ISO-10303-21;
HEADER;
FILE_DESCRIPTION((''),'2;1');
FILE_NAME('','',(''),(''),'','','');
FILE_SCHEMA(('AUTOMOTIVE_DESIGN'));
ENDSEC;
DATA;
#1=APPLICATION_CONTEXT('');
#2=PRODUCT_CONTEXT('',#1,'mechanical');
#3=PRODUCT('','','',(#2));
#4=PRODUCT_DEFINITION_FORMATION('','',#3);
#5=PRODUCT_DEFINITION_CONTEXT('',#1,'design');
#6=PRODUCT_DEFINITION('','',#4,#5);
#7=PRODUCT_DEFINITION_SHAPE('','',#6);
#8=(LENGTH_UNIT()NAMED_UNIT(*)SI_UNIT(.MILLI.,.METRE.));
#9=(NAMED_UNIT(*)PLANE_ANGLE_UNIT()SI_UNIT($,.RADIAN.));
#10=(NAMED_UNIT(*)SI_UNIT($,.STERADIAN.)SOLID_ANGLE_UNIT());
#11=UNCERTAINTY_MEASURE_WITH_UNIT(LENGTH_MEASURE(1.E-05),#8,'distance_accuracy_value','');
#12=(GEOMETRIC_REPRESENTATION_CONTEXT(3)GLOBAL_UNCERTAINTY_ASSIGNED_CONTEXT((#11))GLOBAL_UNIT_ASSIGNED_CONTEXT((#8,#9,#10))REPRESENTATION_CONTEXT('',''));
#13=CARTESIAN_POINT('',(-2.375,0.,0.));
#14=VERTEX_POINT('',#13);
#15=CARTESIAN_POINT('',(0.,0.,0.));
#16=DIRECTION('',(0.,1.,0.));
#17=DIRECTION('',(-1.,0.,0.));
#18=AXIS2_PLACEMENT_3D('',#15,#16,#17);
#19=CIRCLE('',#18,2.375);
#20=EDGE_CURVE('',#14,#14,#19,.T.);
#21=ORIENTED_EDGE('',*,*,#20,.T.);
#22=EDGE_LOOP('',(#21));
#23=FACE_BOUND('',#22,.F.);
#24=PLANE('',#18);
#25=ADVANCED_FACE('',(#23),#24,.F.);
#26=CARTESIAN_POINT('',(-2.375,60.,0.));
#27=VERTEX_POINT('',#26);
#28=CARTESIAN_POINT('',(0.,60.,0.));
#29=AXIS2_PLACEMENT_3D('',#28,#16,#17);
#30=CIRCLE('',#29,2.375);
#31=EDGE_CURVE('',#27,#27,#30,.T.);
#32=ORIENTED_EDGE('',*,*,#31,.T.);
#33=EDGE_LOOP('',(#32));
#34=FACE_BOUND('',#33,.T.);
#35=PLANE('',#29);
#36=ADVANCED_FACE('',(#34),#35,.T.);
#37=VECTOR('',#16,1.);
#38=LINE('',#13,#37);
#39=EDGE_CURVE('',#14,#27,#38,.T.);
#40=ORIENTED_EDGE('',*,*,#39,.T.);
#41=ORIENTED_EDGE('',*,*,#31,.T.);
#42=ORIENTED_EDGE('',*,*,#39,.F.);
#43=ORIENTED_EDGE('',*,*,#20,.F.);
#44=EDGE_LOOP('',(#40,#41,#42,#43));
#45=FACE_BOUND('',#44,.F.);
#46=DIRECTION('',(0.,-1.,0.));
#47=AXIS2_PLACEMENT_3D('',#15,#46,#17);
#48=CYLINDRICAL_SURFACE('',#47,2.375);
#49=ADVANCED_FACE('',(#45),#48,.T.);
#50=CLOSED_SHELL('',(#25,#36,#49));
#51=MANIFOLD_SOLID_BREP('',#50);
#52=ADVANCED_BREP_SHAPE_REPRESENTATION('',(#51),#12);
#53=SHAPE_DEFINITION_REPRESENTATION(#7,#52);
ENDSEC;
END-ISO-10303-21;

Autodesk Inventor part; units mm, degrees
ref_plane "YZ Plane" through (0, 0, 0) normal (1, 0, 0) x (0, 1, 0)
ref_plane "XZ Plane" through (0, 0, 0) normal (0, 1, 0) x (-1, 0, 0)
ref_plane "XY Plane" through (0, 0, 0) normal (0, 0, 1) x (1, 0, 0)
sketch "Sketch1" plane through (0, 0, 0) normal (0, 1, 0) x (-1, 0, 0)
  circle A0 centre (0, 0) radius 2.375
  dimension "d0" = 4.75
extrude "Extrusion1" add sketch "Sketch1" along normal blind 60
properties part number "intermideatebolt"
